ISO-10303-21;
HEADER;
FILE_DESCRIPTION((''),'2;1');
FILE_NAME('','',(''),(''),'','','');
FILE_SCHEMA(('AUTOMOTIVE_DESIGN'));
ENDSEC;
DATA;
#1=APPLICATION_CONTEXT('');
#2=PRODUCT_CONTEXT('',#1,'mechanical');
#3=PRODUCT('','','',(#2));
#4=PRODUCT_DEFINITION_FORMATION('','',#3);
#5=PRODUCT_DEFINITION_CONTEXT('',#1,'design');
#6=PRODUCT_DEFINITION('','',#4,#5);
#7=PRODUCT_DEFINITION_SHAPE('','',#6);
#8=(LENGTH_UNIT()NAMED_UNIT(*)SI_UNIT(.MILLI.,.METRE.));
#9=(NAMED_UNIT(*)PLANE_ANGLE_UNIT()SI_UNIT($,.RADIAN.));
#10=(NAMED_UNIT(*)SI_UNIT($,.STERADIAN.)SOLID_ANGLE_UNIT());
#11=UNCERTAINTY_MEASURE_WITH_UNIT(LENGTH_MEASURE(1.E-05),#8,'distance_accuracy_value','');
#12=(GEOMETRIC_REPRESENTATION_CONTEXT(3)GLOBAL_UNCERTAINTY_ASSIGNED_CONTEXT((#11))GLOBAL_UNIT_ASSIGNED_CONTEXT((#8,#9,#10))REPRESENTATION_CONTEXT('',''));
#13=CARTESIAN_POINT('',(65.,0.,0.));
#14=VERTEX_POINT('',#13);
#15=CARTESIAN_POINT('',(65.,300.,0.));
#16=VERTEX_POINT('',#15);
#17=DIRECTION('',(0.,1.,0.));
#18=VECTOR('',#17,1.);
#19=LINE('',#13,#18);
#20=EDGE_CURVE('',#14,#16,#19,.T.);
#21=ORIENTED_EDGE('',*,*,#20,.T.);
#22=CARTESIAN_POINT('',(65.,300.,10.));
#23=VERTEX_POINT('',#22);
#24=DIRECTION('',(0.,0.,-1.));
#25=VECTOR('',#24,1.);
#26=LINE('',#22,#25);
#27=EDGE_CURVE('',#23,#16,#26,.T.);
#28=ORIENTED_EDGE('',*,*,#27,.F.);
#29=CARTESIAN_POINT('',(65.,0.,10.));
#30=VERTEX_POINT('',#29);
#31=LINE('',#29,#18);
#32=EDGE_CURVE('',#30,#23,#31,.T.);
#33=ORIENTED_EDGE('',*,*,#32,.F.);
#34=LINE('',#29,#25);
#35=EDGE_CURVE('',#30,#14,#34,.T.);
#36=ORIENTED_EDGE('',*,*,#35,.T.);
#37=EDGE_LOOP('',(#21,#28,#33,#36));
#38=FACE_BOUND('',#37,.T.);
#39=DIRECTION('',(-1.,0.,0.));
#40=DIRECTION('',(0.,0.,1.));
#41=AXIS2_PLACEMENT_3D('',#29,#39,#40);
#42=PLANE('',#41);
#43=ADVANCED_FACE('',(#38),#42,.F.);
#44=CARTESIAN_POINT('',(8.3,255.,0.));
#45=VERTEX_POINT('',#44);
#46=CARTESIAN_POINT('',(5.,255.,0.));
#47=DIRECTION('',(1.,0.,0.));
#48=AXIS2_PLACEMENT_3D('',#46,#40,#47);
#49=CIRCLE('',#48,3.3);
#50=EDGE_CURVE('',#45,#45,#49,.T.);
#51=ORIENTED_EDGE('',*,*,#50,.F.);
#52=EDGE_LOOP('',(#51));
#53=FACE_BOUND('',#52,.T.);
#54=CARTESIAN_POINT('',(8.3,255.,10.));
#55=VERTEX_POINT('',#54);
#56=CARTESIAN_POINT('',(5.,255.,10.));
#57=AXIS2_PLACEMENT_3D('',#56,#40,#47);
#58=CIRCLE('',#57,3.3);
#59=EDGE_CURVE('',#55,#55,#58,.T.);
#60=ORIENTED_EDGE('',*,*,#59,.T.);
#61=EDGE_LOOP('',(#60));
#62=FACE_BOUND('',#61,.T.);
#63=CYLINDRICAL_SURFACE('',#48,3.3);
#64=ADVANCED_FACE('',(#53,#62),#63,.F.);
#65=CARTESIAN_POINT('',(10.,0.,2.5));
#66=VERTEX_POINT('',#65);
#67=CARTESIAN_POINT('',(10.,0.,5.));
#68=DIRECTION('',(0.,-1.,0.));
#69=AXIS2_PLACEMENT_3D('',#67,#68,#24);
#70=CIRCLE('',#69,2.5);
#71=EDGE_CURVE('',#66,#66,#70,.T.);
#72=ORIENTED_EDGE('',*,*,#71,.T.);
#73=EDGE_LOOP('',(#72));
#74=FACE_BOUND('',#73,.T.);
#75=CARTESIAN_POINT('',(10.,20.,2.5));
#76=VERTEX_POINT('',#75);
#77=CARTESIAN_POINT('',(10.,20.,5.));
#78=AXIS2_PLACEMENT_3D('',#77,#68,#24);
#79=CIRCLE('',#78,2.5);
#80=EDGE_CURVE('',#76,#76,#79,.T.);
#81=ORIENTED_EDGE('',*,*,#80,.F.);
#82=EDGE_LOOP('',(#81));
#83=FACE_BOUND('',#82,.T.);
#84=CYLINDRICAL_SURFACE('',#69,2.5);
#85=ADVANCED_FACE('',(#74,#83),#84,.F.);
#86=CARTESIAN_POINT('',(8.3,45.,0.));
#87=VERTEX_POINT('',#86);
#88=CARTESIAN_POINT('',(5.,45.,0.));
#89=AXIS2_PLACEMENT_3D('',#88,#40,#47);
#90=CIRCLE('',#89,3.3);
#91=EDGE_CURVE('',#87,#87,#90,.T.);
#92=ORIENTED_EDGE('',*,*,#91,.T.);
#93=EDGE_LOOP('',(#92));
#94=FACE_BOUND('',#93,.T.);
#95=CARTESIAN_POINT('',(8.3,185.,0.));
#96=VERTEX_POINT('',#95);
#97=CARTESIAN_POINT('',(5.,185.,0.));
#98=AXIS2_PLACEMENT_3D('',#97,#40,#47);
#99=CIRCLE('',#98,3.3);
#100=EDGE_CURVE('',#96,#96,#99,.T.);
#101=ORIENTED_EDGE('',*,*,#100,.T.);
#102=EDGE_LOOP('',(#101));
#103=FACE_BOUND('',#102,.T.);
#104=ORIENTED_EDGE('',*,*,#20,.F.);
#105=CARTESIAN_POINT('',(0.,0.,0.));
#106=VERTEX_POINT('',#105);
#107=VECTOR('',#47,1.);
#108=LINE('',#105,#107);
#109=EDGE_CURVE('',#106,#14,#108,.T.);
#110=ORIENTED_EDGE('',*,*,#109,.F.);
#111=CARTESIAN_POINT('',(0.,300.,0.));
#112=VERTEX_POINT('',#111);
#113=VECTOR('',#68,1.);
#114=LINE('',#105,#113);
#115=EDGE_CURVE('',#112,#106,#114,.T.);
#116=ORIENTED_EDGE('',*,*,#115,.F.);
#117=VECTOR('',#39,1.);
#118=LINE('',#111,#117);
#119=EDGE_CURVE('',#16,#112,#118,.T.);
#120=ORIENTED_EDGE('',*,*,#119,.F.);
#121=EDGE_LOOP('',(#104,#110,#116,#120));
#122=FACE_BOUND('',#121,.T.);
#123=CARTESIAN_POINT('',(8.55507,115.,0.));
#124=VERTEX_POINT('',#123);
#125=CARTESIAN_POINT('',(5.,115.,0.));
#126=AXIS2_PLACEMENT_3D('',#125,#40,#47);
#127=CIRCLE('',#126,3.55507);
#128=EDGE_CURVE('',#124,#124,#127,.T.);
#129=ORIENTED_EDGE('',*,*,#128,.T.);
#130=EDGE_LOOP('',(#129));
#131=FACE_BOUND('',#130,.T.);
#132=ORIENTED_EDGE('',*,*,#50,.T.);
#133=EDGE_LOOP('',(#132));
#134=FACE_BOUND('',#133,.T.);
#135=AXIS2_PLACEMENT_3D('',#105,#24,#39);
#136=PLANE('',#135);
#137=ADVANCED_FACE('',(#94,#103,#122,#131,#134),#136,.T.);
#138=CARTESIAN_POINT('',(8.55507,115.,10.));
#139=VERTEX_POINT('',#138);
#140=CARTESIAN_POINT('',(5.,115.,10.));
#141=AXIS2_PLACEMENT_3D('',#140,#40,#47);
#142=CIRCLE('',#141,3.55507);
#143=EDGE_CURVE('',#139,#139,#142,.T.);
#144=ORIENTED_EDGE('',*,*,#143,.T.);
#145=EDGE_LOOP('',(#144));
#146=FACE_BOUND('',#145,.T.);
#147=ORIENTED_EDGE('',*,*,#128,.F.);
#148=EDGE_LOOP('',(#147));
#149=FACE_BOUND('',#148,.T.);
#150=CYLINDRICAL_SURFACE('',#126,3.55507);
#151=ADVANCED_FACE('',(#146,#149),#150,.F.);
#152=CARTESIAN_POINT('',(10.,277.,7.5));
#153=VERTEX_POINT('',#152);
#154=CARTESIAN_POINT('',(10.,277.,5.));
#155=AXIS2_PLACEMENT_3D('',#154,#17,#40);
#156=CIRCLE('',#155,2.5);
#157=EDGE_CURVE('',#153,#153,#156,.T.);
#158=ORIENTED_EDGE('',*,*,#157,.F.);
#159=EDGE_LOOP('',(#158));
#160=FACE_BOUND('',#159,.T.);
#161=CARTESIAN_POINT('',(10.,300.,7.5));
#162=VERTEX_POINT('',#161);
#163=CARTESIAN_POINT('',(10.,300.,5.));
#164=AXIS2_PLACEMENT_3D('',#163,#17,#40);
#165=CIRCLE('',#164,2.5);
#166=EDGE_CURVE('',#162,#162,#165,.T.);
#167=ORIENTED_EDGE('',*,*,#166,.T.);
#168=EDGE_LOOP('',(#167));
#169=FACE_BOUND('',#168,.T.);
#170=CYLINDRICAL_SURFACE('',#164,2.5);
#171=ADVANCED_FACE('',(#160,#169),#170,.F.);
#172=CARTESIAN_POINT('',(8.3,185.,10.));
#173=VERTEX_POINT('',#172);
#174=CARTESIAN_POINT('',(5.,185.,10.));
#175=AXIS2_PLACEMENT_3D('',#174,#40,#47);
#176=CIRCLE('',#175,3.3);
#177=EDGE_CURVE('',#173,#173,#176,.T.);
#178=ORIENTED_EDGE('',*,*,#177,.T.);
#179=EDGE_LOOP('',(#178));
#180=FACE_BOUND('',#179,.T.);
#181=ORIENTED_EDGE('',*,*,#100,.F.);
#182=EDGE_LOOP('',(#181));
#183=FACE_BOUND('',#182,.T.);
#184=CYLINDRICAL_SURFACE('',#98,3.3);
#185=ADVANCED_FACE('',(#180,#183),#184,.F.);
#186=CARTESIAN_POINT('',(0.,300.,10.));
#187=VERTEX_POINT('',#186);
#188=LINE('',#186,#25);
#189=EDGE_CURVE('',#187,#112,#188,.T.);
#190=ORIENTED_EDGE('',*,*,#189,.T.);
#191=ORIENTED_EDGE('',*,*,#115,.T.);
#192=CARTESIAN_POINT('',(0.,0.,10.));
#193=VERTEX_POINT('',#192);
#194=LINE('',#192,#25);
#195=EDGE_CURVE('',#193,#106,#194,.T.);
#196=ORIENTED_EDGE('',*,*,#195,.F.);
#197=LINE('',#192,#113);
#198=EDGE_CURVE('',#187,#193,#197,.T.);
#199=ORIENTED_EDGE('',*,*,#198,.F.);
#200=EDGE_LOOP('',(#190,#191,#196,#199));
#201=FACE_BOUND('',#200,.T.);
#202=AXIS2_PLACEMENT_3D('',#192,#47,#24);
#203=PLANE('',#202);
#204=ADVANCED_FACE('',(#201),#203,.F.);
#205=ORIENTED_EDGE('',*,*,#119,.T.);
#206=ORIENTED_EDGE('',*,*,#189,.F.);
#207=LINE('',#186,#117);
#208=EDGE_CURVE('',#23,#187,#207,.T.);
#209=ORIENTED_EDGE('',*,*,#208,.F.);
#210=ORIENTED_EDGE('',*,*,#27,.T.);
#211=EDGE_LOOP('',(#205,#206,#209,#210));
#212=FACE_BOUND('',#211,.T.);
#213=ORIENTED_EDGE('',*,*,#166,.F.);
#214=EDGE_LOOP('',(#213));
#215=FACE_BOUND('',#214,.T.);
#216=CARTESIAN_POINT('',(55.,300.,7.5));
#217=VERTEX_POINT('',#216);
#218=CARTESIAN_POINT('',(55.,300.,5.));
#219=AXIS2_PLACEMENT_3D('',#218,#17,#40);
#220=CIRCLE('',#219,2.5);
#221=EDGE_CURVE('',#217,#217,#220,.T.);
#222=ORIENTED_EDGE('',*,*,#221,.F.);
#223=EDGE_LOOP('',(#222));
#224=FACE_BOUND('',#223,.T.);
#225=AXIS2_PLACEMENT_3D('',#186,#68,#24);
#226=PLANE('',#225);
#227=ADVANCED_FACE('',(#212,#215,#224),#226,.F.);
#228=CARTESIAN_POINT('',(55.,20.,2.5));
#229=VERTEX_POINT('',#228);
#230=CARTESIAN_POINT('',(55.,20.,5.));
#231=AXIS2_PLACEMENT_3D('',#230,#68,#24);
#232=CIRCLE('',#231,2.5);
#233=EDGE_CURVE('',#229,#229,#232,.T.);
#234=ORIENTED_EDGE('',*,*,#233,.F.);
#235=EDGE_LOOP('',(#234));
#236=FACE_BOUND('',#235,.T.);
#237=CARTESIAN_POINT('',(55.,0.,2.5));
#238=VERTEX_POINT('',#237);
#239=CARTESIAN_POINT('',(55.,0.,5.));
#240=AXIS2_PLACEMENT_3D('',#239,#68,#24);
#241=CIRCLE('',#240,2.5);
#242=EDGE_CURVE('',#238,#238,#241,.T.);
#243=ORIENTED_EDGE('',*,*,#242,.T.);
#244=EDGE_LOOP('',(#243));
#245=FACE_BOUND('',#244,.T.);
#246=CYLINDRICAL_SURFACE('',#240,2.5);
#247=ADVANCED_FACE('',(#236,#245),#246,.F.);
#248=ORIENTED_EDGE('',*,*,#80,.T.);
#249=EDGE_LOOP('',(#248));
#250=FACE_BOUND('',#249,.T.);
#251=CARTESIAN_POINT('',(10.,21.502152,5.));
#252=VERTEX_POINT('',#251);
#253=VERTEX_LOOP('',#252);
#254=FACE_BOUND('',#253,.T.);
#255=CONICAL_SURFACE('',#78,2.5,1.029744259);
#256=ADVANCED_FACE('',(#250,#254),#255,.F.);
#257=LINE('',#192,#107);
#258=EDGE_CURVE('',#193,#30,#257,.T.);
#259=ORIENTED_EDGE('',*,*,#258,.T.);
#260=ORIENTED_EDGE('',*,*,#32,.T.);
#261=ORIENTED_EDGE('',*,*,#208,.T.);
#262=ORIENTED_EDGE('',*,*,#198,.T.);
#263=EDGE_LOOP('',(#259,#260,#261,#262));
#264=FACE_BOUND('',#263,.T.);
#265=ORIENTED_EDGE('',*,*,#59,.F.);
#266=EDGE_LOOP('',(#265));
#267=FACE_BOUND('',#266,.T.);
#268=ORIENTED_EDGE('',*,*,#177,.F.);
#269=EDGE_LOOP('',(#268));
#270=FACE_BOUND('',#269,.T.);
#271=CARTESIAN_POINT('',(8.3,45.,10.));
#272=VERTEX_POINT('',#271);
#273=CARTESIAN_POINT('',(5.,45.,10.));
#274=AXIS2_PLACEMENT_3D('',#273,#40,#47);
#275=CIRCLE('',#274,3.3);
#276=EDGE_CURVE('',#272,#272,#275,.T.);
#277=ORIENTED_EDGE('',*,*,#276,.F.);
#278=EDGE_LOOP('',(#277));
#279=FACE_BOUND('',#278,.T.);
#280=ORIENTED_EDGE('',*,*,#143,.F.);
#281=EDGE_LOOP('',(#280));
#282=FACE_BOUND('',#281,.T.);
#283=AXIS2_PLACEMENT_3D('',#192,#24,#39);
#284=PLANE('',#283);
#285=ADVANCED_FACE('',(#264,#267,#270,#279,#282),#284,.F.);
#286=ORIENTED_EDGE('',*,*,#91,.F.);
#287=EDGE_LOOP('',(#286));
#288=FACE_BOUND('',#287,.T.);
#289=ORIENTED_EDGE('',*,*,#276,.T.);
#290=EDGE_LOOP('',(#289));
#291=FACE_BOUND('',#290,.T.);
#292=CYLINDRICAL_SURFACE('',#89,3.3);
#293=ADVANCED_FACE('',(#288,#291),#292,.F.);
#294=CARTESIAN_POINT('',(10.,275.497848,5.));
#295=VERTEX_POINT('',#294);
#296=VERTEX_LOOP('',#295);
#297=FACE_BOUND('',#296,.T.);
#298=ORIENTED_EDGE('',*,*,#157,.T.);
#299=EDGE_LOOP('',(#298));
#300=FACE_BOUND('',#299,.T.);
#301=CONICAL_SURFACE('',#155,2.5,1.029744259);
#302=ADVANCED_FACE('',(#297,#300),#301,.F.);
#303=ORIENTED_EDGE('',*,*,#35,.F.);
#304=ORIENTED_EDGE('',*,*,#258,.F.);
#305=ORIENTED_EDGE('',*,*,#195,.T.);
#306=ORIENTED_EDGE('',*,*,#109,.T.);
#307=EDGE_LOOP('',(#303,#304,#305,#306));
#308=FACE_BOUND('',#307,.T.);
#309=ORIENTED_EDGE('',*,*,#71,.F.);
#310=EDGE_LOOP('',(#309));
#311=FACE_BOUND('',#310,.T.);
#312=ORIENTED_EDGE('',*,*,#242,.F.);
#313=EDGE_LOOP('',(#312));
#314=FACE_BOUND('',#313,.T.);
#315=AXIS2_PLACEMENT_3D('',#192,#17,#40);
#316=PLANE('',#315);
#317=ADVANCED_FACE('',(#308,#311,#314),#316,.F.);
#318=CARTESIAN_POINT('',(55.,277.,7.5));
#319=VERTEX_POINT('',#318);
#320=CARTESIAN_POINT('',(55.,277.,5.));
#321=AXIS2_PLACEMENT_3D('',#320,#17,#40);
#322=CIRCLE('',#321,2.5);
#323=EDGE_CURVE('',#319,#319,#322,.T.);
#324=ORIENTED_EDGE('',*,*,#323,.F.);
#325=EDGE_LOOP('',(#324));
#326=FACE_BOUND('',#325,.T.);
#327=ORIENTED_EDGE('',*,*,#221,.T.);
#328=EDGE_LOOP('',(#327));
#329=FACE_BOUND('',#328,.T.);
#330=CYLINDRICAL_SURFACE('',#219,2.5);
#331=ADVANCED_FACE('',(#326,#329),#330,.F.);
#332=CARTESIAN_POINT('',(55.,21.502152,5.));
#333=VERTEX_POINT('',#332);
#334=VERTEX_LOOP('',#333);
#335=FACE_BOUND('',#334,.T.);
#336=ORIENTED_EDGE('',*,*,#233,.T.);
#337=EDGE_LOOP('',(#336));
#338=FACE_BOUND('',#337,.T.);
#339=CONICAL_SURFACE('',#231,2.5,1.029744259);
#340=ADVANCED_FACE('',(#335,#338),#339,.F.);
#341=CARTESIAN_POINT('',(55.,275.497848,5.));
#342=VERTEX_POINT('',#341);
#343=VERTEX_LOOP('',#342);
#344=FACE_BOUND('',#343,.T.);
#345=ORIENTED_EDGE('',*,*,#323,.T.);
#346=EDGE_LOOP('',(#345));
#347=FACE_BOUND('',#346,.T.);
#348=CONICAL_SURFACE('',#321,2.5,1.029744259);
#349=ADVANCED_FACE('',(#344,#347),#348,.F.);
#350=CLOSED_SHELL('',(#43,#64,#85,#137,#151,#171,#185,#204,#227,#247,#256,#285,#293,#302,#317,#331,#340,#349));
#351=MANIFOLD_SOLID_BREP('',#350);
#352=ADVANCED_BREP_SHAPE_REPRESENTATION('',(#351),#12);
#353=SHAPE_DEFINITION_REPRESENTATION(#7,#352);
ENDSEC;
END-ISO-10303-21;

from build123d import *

# Parameters (mm, degrees)
SKETCH1_W             = 65
SKETCH1_H             = 300
BOSS_EXTRUDE1_DEPTH   = 10
M6_TAPPED_HOLE1_D     = 5
M6_TAPPED_HOLE1_DEPTH = 20
M6_TAPPED_HOLE1_TIP   = 1.502151548
M6_TAPPED_HOLE2_D     = 5
M6_TAPPED_HOLE2_DEPTH = 23
M6_TAPPED_HOLE2_TIP   = 1.502151548
SKETCH9_R             = 3.3
SKETCH9_R_2           = 3.555070432
CUT_EXTRUDE1_DEPTH    = 11


with BuildPart() as part:
    # Sketch1 → Boss-Extrude1 (new body)
    with BuildSketch(Plane.XY):
        with Locations((32.5, 150)):
            Rectangle(SKETCH1_W, SKETCH1_H)
    extrude(amount=BOSS_EXTRUDE1_DEPTH)

    # M6 Tapped Hole1
    with Locations(Plane(origin=(0, 0, 0), x_dir=(-1, 0, 0), z_dir=(0, -1, 0))):
        with Locations((-55, -5), (-10, -5)):
            Hole(M6_TAPPED_HOLE1_D / 2, depth=M6_TAPPED_HOLE1_DEPTH)
            with Locations((0, 0, -(M6_TAPPED_HOLE1_DEPTH + M6_TAPPED_HOLE1_TIP / 2))):  # 118° drill point
                Cone(0, M6_TAPPED_HOLE1_D / 2, M6_TAPPED_HOLE1_TIP, mode=Mode.SUBTRACT)

    # M6 Tapped Hole2
    with Locations(Plane(origin=(0, 300, 0), x_dir=(1, 0, 0), z_dir=(0, 1, 0))):
        with Locations((10, -5), (55, -5)):
            Hole(M6_TAPPED_HOLE2_D / 2, depth=M6_TAPPED_HOLE2_DEPTH)
            with Locations((0, 0, -(M6_TAPPED_HOLE2_DEPTH + M6_TAPPED_HOLE2_TIP / 2))):  # 118° drill point
                Cone(0, M6_TAPPED_HOLE2_D / 2, M6_TAPPED_HOLE2_TIP, mode=Mode.SUBTRACT)

    # Sketch9 → Cut-Extrude1 (cut, through all)
    with BuildSketch(Plane.XY.offset(10)):
        with Locations((5, 255)):
            Circle(SKETCH9_R)
        with Locations((5, 185)):
            Circle(SKETCH9_R)
        with Locations((5, 45)):
            Circle(SKETCH9_R)
        with Locations((5, 115)):
            Circle(SKETCH9_R_2)
    extrude(amount=-CUT_EXTRUDE1_DEPTH, mode=Mode.SUBTRACT)


solid = part.part
